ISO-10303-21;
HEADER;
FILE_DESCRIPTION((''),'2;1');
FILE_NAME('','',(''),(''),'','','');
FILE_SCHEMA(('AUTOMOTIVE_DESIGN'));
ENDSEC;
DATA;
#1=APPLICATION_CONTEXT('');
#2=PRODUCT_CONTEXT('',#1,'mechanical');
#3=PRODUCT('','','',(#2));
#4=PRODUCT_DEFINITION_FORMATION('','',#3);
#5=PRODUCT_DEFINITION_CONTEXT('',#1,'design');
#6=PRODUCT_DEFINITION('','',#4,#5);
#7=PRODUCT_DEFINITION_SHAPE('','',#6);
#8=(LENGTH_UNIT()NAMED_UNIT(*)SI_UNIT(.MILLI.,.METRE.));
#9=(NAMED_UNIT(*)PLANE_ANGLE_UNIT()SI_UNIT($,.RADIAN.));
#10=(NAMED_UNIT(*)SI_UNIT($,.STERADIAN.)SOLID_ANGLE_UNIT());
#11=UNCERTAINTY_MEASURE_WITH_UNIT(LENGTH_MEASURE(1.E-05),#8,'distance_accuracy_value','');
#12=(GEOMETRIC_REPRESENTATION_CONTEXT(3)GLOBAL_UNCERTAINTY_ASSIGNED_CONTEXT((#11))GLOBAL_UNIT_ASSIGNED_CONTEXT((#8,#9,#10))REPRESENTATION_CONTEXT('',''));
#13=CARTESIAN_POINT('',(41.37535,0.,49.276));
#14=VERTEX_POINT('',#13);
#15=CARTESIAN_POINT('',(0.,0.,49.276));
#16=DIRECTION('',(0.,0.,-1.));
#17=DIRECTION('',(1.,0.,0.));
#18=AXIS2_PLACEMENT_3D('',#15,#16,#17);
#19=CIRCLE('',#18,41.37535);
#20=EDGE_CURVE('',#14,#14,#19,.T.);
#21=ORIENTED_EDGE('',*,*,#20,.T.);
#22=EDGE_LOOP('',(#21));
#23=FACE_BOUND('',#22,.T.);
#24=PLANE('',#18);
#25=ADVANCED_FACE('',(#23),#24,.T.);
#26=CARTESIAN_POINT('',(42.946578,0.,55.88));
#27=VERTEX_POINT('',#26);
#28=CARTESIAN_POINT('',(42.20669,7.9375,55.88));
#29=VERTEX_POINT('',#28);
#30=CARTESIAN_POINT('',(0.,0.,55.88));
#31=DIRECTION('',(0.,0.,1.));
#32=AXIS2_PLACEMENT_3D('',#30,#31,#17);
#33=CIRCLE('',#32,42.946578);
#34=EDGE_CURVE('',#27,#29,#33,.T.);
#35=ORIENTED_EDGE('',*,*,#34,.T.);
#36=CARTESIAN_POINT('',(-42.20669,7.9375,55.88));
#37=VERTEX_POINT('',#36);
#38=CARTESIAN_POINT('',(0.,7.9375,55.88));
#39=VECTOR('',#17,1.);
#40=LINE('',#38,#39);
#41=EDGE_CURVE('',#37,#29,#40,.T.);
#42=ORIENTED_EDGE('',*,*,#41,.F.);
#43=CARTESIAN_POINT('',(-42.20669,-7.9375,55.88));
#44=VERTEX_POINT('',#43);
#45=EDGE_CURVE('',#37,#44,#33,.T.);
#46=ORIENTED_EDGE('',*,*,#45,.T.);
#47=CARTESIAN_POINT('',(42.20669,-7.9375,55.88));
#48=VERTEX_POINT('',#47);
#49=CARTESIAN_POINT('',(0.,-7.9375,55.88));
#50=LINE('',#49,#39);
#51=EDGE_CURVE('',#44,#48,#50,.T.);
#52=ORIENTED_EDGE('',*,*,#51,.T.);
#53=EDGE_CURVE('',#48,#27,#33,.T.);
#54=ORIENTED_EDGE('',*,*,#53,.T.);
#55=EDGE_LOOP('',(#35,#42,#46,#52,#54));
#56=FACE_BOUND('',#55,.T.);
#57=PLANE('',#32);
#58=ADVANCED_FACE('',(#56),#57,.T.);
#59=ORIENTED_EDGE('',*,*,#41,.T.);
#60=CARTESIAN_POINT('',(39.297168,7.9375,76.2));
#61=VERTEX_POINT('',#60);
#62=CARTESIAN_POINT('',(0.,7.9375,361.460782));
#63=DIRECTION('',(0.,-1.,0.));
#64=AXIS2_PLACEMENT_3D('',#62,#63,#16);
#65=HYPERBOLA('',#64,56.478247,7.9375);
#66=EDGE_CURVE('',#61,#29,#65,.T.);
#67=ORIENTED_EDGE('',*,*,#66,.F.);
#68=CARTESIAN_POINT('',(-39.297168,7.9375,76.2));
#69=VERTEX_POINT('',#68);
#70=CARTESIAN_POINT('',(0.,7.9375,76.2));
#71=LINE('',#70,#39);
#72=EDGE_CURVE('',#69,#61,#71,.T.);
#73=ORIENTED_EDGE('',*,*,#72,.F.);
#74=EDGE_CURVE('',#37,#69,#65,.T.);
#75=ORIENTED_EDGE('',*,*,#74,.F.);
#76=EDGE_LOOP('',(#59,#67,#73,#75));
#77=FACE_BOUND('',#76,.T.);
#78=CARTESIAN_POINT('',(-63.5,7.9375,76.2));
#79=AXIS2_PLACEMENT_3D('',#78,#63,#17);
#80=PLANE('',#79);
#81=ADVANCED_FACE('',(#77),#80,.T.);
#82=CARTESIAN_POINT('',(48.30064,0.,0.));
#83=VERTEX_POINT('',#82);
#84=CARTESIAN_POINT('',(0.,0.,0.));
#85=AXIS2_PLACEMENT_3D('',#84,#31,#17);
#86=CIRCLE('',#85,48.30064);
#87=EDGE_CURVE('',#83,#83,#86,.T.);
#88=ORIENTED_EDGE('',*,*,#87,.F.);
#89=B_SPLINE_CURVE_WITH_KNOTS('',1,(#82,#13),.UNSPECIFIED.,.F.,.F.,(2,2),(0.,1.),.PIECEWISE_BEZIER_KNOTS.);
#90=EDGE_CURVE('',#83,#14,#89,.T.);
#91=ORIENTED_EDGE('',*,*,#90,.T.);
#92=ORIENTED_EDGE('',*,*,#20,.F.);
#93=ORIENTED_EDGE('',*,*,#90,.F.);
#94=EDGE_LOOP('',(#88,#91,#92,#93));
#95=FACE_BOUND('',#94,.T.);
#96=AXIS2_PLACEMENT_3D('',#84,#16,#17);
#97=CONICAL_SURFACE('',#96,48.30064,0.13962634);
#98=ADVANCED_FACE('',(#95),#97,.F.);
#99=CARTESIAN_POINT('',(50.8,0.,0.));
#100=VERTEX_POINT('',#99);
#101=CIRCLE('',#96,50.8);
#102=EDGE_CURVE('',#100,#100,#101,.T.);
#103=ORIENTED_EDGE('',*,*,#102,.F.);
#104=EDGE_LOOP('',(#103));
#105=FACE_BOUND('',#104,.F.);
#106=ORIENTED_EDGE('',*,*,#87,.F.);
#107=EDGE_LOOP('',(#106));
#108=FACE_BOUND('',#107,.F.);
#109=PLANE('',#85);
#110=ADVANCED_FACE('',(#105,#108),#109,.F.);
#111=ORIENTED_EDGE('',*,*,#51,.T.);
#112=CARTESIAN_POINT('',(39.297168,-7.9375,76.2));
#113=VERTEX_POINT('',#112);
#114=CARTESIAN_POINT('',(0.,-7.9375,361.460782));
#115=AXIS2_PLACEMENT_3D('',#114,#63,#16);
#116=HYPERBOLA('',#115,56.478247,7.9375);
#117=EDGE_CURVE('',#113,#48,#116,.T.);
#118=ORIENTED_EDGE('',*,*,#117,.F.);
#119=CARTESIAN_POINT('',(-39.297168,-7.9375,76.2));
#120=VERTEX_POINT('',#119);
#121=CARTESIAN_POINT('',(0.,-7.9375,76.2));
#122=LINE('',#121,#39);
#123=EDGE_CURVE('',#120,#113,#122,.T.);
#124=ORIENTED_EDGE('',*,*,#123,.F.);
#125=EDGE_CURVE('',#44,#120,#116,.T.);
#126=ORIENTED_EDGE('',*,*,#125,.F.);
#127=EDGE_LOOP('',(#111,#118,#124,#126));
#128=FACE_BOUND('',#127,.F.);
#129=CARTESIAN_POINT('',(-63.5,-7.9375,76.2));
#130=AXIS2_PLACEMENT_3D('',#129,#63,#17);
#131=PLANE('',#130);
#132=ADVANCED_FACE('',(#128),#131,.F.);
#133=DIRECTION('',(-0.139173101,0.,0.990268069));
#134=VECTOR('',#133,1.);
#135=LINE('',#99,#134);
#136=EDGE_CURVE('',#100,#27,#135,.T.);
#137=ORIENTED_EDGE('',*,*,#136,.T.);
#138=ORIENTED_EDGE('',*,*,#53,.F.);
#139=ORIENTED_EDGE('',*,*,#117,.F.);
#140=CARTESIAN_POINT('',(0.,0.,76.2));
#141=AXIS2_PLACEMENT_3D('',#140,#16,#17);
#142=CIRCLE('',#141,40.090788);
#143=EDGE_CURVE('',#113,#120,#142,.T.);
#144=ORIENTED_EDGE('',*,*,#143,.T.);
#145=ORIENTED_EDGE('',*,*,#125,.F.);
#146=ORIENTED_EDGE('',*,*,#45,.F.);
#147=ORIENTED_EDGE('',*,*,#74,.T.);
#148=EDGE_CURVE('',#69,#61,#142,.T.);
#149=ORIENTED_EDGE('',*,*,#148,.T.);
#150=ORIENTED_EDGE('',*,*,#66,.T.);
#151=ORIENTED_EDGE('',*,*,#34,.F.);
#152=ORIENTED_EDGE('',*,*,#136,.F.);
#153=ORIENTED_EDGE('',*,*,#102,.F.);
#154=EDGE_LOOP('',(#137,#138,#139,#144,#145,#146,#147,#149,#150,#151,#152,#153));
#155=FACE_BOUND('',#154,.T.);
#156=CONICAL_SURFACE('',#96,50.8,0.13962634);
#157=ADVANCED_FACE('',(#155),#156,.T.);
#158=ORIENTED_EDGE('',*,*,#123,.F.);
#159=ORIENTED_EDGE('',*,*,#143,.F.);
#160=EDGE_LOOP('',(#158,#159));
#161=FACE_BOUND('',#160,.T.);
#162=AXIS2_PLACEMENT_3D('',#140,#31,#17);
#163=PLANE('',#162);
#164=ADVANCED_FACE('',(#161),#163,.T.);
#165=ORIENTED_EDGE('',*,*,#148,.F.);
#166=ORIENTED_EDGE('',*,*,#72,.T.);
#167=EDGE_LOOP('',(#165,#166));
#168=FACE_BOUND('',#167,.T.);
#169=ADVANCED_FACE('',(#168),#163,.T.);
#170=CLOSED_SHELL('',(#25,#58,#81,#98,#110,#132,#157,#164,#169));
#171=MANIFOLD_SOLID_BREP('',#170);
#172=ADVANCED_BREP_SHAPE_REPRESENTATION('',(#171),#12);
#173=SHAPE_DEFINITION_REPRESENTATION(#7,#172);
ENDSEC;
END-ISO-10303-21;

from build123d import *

# Parameters (mm, degrees)
F0_R     = 50.8
F1_DEPTH = 76.2
F1_TAPER = 8
F2_W     = 127
F2_H     = 15.875
F3_DEPTH = 20.32
F4_R     = 48.30064
F5_DEPTH = 49.276
F5_TAPER = 8


with BuildPart() as f1:
    # F0 (on Top) → F1 (new body)
    with BuildSketch(Plane.XY):
        Circle(F0_R)
    extrude(amount=F1_DEPTH, taper=F1_TAPER)

    # F2 (on face) → F3 (cut)
    with BuildSketch(Plane.XY.offset(76.2)):
        Rectangle(F2_W, F2_H)
    extrude(amount=-F3_DEPTH, mode=Mode.SUBTRACT)

    # F4 (on face) → F5 (cut)
    with BuildSketch(Plane(origin=(0, 0, 0), x_dir=(1, 0, 0), z_dir=(0, 0, -1))):
        Circle(F4_R)
    extrude(amount=-F5_DEPTH, taper=F5_TAPER, mode=Mode.SUBTRACT)


solid = f1.part
